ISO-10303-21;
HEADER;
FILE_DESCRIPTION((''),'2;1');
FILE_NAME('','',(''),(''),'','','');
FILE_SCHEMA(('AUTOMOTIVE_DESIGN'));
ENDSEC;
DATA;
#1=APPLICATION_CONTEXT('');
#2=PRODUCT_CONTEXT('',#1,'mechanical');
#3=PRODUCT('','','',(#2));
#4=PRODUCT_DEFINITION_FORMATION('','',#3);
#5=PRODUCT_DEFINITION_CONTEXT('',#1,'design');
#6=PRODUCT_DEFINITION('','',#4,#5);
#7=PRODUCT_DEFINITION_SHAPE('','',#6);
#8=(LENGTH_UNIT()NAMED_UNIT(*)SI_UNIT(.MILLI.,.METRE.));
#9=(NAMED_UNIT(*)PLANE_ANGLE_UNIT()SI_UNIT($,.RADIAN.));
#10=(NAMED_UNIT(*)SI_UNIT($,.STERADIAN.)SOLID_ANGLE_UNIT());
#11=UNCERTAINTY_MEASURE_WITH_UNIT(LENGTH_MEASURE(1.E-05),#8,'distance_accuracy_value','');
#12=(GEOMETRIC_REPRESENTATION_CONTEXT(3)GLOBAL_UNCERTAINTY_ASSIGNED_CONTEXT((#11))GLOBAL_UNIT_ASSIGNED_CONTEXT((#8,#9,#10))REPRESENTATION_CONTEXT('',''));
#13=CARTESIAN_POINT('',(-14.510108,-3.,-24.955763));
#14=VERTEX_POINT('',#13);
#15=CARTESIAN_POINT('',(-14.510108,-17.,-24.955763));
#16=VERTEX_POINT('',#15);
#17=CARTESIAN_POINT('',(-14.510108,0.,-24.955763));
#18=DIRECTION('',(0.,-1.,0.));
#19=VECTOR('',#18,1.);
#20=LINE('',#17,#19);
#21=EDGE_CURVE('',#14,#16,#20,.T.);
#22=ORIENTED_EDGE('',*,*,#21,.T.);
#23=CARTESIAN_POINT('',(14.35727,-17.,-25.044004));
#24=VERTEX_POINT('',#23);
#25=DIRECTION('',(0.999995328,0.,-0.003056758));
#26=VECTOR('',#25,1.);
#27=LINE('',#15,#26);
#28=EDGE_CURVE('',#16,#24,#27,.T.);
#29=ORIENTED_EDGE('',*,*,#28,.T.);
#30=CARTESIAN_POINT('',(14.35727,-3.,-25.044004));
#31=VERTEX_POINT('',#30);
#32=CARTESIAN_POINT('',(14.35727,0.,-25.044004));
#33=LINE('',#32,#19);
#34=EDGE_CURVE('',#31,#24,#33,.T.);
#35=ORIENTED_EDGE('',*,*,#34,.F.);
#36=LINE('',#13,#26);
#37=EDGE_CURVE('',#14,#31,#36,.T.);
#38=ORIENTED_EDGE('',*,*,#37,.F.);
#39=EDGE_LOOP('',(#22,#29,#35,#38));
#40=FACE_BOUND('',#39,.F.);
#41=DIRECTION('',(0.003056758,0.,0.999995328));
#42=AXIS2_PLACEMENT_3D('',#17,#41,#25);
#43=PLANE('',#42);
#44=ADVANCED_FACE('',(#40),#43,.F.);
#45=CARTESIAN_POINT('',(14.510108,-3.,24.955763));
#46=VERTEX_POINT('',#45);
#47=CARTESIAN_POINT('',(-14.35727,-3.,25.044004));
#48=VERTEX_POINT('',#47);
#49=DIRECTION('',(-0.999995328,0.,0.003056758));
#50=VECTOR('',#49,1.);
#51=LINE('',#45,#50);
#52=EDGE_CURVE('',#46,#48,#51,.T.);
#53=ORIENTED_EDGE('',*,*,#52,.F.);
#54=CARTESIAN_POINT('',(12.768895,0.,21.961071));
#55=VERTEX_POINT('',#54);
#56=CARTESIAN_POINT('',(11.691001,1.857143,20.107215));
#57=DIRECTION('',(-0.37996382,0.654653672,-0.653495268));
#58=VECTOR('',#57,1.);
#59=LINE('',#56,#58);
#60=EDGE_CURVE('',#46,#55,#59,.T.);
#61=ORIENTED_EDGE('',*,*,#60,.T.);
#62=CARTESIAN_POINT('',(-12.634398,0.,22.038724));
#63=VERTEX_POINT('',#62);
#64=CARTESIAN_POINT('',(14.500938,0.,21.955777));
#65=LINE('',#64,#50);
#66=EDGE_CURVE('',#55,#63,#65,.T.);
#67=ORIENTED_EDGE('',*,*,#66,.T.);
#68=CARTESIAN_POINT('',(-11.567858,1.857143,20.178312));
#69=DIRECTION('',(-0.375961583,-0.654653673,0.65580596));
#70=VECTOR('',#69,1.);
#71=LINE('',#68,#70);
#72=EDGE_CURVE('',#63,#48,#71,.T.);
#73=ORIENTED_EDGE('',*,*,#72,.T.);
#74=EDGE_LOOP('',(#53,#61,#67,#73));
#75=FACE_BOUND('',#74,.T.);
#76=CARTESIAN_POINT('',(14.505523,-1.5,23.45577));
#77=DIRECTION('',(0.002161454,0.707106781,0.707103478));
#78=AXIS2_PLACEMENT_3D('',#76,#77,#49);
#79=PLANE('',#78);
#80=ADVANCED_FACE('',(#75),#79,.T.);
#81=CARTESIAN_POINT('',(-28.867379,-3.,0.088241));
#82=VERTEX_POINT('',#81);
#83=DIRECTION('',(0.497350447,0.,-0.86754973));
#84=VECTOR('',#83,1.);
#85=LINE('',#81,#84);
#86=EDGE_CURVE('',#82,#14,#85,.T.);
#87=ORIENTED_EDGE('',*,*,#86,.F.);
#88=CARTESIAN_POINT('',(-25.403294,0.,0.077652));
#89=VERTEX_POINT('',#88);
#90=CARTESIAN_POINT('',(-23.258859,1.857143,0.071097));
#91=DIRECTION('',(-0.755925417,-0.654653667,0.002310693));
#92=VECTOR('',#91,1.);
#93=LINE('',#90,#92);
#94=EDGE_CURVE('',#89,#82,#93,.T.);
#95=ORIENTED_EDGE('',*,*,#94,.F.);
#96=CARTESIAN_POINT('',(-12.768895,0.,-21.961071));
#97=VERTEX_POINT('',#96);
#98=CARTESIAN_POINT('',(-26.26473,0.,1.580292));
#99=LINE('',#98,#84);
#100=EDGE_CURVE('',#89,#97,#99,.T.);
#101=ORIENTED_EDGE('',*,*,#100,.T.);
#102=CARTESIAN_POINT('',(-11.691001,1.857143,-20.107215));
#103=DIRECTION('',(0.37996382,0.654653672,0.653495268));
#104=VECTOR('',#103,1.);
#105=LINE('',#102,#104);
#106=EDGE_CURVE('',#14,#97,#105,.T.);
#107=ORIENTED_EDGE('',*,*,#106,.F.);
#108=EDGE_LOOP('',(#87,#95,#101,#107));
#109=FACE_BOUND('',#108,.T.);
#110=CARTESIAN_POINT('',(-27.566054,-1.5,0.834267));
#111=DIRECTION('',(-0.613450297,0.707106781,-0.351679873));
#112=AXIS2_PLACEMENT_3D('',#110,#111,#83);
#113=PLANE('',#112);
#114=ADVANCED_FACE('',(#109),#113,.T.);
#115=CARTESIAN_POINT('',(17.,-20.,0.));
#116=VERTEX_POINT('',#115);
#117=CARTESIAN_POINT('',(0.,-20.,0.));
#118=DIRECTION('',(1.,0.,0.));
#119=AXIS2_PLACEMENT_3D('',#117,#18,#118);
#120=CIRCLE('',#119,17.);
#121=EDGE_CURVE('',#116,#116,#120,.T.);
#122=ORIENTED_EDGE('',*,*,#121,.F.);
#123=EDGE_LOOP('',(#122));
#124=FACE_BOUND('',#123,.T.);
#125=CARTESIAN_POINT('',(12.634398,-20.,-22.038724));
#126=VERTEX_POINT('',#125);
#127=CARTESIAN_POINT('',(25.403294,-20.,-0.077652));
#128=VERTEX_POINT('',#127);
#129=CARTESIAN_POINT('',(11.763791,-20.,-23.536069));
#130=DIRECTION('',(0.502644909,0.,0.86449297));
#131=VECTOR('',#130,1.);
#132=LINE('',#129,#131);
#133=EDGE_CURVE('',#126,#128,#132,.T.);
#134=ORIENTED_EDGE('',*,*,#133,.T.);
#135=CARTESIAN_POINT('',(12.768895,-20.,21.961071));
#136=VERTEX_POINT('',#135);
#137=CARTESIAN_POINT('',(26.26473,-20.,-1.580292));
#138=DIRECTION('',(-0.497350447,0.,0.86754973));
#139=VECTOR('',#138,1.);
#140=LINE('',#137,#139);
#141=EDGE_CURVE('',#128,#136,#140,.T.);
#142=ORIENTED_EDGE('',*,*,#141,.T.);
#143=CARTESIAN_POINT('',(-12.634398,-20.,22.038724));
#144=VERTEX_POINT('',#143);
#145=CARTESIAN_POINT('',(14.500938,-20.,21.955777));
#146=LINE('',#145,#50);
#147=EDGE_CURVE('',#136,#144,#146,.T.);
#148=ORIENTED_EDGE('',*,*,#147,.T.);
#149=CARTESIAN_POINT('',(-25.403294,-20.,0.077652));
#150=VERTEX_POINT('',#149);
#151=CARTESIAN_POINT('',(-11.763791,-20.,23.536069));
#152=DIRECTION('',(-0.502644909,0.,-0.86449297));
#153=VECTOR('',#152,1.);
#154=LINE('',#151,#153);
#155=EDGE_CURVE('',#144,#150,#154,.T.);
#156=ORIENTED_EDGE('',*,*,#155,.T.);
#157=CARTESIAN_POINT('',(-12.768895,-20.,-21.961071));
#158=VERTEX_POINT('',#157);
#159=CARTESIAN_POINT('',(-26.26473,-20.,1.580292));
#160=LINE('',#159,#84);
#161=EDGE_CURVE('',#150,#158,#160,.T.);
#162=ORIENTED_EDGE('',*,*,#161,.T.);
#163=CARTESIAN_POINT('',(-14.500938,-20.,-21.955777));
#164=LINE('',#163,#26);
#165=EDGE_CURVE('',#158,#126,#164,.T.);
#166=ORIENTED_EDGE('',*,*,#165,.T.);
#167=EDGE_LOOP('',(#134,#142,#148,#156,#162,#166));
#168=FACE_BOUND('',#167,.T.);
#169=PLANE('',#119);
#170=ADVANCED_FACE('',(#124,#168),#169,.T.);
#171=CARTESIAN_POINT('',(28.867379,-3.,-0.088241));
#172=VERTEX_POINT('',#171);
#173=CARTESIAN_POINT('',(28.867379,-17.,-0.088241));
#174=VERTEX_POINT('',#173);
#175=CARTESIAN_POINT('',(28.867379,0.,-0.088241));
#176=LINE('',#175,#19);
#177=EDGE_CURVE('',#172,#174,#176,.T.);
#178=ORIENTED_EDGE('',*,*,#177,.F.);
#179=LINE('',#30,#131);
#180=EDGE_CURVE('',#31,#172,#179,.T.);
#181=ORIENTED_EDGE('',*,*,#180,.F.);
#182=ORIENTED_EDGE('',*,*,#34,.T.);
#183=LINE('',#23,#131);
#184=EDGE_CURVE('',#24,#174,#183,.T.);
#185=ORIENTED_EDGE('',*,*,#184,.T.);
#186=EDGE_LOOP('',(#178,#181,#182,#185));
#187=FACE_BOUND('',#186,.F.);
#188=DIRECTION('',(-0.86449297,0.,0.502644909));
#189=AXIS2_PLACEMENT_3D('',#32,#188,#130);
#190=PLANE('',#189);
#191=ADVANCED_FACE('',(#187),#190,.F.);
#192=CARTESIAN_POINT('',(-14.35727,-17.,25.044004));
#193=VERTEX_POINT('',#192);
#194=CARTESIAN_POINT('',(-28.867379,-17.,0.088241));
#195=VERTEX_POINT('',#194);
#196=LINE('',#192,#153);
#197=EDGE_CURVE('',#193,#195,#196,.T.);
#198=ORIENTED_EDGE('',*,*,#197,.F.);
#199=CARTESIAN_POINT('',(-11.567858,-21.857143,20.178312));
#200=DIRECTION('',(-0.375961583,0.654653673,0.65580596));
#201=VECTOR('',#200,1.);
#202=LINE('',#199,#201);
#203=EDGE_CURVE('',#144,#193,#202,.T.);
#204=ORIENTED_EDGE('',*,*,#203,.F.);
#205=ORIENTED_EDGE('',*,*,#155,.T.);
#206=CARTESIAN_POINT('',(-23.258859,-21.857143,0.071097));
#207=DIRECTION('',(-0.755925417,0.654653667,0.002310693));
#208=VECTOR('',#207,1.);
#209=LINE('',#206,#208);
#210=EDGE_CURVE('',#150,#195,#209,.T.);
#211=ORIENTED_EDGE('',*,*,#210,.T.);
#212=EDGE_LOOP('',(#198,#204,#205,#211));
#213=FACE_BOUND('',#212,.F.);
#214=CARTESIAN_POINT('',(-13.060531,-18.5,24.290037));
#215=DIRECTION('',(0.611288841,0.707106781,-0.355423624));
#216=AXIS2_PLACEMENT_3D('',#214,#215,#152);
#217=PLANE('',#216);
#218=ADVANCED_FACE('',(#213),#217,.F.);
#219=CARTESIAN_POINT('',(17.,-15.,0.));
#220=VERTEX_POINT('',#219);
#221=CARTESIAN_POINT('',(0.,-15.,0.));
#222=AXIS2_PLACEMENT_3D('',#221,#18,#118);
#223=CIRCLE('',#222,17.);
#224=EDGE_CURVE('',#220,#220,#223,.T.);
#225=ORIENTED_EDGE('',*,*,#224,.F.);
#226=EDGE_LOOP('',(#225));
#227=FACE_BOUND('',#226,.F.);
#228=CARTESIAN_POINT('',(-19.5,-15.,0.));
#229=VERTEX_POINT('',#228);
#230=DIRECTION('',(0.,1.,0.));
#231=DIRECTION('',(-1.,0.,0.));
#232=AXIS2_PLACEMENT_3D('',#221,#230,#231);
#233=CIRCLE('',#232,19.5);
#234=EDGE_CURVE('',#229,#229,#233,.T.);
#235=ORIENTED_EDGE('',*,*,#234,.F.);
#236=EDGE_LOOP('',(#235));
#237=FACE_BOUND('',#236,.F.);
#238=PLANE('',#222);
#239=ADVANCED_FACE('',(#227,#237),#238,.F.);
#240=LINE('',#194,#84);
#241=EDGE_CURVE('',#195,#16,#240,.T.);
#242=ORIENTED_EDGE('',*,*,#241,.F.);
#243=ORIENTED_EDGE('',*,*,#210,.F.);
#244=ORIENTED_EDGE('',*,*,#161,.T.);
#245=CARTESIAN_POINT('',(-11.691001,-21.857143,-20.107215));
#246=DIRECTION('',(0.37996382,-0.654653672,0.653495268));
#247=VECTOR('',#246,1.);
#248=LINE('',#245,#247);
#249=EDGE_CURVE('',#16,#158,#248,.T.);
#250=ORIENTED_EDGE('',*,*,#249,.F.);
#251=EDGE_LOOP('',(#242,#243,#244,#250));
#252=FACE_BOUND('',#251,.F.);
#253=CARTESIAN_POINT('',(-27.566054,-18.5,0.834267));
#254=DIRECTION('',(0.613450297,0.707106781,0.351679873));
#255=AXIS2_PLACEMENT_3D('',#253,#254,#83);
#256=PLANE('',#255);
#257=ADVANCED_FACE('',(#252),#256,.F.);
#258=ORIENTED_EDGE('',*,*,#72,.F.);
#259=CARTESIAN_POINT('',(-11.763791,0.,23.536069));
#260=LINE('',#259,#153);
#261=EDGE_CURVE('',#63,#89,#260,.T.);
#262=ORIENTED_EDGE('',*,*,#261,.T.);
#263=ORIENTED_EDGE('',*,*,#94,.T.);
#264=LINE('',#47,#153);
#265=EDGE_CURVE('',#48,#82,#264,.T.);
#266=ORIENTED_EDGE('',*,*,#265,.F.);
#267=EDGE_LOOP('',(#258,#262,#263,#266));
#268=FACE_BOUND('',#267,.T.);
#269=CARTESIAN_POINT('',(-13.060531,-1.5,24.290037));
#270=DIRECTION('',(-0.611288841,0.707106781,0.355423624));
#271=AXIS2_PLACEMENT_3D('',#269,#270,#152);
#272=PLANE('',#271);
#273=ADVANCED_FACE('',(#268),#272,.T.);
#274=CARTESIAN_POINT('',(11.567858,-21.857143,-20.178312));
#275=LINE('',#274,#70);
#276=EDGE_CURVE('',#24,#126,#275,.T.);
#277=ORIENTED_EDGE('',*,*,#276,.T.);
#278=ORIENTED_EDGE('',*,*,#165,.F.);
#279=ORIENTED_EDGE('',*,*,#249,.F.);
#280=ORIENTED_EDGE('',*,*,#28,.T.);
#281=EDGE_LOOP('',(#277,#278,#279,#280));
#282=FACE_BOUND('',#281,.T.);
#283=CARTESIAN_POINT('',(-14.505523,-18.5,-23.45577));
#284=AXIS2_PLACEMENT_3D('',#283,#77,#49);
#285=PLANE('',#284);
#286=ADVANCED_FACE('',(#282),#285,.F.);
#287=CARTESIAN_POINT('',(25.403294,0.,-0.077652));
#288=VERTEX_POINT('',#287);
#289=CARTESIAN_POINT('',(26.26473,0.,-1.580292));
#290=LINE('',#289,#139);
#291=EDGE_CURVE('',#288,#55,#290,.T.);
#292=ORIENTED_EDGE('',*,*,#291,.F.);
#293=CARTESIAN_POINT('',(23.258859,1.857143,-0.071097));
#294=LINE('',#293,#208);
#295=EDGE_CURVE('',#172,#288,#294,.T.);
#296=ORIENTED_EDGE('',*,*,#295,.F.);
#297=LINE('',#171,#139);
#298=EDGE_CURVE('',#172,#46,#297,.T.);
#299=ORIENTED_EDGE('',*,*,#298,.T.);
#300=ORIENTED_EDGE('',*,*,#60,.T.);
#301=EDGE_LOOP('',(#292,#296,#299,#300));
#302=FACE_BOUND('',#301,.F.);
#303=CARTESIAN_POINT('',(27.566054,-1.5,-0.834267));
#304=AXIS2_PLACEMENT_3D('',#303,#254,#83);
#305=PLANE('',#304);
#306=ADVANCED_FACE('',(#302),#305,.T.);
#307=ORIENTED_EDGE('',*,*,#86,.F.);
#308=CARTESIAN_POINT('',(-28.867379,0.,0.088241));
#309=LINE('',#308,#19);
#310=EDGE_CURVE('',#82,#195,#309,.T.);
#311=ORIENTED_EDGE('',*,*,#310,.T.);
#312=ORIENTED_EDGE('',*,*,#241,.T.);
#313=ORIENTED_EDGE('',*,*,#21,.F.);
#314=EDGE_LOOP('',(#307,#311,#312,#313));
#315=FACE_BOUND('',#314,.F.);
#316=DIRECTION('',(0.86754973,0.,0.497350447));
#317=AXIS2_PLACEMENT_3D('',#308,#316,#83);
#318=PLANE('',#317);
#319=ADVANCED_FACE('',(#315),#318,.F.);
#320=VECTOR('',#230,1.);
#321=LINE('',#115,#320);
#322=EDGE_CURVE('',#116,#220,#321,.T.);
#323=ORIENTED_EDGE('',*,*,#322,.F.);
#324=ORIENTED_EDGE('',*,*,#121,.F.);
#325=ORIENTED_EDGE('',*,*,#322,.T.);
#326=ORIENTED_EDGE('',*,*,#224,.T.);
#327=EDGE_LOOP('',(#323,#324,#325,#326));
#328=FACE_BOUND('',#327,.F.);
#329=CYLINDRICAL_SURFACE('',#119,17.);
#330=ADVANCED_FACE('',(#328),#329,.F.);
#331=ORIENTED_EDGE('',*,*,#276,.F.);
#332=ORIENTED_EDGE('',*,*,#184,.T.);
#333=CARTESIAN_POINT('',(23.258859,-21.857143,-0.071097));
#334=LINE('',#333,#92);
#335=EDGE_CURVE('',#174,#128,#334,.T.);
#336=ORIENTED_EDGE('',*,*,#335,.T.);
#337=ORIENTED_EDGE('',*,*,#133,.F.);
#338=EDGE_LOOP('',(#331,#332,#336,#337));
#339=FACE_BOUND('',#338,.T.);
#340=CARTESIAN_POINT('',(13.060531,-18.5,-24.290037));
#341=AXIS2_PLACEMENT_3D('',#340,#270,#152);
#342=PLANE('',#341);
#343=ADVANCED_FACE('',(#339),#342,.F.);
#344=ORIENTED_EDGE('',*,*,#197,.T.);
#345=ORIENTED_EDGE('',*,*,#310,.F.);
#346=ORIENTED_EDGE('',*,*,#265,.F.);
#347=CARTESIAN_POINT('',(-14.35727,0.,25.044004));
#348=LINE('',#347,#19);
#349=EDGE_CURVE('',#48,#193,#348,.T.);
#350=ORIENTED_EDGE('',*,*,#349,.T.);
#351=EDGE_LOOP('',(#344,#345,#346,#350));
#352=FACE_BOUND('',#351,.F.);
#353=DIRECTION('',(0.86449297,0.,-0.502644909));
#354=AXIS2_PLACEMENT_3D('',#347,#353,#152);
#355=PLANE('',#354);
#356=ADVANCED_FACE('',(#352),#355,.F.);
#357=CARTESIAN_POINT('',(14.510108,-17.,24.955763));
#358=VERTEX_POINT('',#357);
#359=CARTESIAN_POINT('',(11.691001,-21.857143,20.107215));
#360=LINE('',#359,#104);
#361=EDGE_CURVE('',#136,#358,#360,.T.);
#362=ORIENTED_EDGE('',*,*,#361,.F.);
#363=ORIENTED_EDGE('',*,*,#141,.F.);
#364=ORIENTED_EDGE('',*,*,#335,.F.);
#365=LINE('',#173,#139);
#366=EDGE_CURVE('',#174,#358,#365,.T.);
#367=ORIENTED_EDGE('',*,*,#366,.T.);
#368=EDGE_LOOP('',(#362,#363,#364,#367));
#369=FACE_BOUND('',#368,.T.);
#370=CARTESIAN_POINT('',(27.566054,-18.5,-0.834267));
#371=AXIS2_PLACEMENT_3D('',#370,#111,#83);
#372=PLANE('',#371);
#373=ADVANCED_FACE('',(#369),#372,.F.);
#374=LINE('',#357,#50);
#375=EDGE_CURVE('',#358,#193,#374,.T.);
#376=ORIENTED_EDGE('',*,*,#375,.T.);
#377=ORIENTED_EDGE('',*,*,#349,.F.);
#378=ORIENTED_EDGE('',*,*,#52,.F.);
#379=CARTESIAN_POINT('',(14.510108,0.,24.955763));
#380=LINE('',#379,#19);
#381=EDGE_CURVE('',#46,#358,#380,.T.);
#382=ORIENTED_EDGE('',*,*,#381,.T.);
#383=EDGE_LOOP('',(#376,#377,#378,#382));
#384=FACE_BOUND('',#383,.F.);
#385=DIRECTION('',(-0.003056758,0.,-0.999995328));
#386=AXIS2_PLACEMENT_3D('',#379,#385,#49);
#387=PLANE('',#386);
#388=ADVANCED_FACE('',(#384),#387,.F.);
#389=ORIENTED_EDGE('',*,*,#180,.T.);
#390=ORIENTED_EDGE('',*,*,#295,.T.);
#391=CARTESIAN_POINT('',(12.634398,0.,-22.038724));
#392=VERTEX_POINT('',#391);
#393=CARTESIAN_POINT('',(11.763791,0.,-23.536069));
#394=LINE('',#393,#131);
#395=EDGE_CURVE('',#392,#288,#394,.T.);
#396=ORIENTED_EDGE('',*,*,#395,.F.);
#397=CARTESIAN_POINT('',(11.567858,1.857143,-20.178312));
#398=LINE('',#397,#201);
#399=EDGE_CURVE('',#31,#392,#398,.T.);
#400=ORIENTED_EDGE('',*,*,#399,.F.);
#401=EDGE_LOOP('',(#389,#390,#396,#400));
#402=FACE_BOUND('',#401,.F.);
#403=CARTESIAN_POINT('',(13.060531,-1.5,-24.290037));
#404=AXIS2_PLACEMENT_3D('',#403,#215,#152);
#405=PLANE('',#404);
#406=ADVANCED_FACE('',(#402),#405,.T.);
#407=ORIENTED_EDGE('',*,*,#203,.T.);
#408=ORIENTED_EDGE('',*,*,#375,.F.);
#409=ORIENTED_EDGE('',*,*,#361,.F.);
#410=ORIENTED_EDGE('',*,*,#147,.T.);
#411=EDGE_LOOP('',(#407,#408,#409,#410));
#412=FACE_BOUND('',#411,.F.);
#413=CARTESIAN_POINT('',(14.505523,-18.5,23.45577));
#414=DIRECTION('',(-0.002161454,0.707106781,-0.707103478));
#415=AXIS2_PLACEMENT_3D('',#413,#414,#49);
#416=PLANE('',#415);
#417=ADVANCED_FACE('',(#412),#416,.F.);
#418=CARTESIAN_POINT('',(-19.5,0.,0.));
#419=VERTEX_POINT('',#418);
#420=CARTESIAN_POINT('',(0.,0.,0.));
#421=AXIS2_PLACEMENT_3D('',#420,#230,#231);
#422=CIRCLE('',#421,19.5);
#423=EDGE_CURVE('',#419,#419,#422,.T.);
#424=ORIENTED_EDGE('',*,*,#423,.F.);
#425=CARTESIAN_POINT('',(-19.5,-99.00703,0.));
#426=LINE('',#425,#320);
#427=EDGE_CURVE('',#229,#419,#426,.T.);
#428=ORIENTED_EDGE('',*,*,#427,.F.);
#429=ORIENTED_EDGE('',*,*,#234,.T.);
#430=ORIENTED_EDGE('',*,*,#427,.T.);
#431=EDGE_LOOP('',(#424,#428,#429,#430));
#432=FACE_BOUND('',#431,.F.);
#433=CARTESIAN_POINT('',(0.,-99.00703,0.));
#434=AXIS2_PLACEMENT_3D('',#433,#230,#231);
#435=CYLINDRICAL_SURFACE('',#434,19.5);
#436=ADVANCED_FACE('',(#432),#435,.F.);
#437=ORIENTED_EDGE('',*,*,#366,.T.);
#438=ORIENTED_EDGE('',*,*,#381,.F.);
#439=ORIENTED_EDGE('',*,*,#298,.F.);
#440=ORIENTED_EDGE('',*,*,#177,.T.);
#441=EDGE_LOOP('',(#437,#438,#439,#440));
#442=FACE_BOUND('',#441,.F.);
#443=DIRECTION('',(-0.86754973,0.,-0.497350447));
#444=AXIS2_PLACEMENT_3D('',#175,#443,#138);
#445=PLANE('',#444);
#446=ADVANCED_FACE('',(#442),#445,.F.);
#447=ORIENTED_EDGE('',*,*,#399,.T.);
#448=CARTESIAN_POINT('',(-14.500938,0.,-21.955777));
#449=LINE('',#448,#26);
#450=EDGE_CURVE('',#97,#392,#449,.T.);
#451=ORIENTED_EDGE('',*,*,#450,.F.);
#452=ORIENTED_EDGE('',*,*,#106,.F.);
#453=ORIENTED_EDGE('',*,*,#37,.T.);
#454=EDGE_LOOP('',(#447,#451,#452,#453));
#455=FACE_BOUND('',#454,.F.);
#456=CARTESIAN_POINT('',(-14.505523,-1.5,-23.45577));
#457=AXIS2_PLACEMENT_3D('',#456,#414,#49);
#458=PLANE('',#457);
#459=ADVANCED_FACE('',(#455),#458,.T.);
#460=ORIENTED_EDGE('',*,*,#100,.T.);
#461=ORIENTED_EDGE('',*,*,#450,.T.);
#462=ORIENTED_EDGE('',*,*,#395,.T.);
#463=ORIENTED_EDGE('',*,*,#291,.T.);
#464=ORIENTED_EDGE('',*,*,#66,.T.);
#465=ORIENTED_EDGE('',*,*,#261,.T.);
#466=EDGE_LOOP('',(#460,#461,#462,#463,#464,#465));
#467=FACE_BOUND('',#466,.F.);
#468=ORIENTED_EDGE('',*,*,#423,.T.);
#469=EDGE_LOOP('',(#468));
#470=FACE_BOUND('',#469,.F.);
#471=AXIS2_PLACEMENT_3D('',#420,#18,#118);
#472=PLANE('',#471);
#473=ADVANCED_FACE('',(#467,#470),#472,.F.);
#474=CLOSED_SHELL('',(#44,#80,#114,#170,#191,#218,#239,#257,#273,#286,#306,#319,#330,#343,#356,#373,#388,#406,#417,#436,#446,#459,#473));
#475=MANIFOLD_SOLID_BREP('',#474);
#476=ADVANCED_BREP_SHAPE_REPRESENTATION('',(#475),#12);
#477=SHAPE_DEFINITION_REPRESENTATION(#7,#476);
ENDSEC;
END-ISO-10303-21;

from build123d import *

# Parameters (mm, degrees)
F1_DEPTH = 20
F3_D     = 39
F4_SIZE  = 3
F5_R     = 19.5
F5_R_2   = 17
F6_DEPTH = 5


with BuildPart() as f1:
    # F0 (on Front) → F1 (new body)
    with BuildSketch(Plane.XZ):
        Polygon((14.35727, -25.044004), (28.867379, -0.088241), (14.510108, 24.955763), (-14.35727, 25.044004), (-28.867379, 0.088241), (-14.510108, -24.955763), align=None)
    extrude(amount=F1_DEPTH)

    # F3 (through all)
    with Locations(Plane.XZ.offset(20)):
        with Locations((0, 0)):
            Hole(F3_D / 2)

    # F4
    f4_edges = [f1.edges().sort_by_distance(p)[0] for p in [
        (-21.612324, -20, 12.566122),
        (0.076419, -20, 24.999883),
        (21.688743, -20, 12.433761),
        (21.612324, -20, -12.566122),
        (-0.076419, -20, -24.999883),
        (-21.688743, -20, -12.433761),
        (21.688743, 0, 12.433761),
        (21.612324, 0, -12.566122),
        (-0.076419, 0, -24.999883),
        (-21.688743, 0, -12.433761),
        (-21.612324, 0, 12.566122),
        (0.076419, 0, 24.999883),
    ]]
    chamfer(f4_edges, length=F4_SIZE)

    # F5 (on face) → F6 (join)
    with BuildSketch(Plane.XZ.offset(20)):
        Circle(F5_R)
        Circle(F5_R_2, mode=Mode.SUBTRACT)
    extrude(amount=-F6_DEPTH)


solid = f1.part
